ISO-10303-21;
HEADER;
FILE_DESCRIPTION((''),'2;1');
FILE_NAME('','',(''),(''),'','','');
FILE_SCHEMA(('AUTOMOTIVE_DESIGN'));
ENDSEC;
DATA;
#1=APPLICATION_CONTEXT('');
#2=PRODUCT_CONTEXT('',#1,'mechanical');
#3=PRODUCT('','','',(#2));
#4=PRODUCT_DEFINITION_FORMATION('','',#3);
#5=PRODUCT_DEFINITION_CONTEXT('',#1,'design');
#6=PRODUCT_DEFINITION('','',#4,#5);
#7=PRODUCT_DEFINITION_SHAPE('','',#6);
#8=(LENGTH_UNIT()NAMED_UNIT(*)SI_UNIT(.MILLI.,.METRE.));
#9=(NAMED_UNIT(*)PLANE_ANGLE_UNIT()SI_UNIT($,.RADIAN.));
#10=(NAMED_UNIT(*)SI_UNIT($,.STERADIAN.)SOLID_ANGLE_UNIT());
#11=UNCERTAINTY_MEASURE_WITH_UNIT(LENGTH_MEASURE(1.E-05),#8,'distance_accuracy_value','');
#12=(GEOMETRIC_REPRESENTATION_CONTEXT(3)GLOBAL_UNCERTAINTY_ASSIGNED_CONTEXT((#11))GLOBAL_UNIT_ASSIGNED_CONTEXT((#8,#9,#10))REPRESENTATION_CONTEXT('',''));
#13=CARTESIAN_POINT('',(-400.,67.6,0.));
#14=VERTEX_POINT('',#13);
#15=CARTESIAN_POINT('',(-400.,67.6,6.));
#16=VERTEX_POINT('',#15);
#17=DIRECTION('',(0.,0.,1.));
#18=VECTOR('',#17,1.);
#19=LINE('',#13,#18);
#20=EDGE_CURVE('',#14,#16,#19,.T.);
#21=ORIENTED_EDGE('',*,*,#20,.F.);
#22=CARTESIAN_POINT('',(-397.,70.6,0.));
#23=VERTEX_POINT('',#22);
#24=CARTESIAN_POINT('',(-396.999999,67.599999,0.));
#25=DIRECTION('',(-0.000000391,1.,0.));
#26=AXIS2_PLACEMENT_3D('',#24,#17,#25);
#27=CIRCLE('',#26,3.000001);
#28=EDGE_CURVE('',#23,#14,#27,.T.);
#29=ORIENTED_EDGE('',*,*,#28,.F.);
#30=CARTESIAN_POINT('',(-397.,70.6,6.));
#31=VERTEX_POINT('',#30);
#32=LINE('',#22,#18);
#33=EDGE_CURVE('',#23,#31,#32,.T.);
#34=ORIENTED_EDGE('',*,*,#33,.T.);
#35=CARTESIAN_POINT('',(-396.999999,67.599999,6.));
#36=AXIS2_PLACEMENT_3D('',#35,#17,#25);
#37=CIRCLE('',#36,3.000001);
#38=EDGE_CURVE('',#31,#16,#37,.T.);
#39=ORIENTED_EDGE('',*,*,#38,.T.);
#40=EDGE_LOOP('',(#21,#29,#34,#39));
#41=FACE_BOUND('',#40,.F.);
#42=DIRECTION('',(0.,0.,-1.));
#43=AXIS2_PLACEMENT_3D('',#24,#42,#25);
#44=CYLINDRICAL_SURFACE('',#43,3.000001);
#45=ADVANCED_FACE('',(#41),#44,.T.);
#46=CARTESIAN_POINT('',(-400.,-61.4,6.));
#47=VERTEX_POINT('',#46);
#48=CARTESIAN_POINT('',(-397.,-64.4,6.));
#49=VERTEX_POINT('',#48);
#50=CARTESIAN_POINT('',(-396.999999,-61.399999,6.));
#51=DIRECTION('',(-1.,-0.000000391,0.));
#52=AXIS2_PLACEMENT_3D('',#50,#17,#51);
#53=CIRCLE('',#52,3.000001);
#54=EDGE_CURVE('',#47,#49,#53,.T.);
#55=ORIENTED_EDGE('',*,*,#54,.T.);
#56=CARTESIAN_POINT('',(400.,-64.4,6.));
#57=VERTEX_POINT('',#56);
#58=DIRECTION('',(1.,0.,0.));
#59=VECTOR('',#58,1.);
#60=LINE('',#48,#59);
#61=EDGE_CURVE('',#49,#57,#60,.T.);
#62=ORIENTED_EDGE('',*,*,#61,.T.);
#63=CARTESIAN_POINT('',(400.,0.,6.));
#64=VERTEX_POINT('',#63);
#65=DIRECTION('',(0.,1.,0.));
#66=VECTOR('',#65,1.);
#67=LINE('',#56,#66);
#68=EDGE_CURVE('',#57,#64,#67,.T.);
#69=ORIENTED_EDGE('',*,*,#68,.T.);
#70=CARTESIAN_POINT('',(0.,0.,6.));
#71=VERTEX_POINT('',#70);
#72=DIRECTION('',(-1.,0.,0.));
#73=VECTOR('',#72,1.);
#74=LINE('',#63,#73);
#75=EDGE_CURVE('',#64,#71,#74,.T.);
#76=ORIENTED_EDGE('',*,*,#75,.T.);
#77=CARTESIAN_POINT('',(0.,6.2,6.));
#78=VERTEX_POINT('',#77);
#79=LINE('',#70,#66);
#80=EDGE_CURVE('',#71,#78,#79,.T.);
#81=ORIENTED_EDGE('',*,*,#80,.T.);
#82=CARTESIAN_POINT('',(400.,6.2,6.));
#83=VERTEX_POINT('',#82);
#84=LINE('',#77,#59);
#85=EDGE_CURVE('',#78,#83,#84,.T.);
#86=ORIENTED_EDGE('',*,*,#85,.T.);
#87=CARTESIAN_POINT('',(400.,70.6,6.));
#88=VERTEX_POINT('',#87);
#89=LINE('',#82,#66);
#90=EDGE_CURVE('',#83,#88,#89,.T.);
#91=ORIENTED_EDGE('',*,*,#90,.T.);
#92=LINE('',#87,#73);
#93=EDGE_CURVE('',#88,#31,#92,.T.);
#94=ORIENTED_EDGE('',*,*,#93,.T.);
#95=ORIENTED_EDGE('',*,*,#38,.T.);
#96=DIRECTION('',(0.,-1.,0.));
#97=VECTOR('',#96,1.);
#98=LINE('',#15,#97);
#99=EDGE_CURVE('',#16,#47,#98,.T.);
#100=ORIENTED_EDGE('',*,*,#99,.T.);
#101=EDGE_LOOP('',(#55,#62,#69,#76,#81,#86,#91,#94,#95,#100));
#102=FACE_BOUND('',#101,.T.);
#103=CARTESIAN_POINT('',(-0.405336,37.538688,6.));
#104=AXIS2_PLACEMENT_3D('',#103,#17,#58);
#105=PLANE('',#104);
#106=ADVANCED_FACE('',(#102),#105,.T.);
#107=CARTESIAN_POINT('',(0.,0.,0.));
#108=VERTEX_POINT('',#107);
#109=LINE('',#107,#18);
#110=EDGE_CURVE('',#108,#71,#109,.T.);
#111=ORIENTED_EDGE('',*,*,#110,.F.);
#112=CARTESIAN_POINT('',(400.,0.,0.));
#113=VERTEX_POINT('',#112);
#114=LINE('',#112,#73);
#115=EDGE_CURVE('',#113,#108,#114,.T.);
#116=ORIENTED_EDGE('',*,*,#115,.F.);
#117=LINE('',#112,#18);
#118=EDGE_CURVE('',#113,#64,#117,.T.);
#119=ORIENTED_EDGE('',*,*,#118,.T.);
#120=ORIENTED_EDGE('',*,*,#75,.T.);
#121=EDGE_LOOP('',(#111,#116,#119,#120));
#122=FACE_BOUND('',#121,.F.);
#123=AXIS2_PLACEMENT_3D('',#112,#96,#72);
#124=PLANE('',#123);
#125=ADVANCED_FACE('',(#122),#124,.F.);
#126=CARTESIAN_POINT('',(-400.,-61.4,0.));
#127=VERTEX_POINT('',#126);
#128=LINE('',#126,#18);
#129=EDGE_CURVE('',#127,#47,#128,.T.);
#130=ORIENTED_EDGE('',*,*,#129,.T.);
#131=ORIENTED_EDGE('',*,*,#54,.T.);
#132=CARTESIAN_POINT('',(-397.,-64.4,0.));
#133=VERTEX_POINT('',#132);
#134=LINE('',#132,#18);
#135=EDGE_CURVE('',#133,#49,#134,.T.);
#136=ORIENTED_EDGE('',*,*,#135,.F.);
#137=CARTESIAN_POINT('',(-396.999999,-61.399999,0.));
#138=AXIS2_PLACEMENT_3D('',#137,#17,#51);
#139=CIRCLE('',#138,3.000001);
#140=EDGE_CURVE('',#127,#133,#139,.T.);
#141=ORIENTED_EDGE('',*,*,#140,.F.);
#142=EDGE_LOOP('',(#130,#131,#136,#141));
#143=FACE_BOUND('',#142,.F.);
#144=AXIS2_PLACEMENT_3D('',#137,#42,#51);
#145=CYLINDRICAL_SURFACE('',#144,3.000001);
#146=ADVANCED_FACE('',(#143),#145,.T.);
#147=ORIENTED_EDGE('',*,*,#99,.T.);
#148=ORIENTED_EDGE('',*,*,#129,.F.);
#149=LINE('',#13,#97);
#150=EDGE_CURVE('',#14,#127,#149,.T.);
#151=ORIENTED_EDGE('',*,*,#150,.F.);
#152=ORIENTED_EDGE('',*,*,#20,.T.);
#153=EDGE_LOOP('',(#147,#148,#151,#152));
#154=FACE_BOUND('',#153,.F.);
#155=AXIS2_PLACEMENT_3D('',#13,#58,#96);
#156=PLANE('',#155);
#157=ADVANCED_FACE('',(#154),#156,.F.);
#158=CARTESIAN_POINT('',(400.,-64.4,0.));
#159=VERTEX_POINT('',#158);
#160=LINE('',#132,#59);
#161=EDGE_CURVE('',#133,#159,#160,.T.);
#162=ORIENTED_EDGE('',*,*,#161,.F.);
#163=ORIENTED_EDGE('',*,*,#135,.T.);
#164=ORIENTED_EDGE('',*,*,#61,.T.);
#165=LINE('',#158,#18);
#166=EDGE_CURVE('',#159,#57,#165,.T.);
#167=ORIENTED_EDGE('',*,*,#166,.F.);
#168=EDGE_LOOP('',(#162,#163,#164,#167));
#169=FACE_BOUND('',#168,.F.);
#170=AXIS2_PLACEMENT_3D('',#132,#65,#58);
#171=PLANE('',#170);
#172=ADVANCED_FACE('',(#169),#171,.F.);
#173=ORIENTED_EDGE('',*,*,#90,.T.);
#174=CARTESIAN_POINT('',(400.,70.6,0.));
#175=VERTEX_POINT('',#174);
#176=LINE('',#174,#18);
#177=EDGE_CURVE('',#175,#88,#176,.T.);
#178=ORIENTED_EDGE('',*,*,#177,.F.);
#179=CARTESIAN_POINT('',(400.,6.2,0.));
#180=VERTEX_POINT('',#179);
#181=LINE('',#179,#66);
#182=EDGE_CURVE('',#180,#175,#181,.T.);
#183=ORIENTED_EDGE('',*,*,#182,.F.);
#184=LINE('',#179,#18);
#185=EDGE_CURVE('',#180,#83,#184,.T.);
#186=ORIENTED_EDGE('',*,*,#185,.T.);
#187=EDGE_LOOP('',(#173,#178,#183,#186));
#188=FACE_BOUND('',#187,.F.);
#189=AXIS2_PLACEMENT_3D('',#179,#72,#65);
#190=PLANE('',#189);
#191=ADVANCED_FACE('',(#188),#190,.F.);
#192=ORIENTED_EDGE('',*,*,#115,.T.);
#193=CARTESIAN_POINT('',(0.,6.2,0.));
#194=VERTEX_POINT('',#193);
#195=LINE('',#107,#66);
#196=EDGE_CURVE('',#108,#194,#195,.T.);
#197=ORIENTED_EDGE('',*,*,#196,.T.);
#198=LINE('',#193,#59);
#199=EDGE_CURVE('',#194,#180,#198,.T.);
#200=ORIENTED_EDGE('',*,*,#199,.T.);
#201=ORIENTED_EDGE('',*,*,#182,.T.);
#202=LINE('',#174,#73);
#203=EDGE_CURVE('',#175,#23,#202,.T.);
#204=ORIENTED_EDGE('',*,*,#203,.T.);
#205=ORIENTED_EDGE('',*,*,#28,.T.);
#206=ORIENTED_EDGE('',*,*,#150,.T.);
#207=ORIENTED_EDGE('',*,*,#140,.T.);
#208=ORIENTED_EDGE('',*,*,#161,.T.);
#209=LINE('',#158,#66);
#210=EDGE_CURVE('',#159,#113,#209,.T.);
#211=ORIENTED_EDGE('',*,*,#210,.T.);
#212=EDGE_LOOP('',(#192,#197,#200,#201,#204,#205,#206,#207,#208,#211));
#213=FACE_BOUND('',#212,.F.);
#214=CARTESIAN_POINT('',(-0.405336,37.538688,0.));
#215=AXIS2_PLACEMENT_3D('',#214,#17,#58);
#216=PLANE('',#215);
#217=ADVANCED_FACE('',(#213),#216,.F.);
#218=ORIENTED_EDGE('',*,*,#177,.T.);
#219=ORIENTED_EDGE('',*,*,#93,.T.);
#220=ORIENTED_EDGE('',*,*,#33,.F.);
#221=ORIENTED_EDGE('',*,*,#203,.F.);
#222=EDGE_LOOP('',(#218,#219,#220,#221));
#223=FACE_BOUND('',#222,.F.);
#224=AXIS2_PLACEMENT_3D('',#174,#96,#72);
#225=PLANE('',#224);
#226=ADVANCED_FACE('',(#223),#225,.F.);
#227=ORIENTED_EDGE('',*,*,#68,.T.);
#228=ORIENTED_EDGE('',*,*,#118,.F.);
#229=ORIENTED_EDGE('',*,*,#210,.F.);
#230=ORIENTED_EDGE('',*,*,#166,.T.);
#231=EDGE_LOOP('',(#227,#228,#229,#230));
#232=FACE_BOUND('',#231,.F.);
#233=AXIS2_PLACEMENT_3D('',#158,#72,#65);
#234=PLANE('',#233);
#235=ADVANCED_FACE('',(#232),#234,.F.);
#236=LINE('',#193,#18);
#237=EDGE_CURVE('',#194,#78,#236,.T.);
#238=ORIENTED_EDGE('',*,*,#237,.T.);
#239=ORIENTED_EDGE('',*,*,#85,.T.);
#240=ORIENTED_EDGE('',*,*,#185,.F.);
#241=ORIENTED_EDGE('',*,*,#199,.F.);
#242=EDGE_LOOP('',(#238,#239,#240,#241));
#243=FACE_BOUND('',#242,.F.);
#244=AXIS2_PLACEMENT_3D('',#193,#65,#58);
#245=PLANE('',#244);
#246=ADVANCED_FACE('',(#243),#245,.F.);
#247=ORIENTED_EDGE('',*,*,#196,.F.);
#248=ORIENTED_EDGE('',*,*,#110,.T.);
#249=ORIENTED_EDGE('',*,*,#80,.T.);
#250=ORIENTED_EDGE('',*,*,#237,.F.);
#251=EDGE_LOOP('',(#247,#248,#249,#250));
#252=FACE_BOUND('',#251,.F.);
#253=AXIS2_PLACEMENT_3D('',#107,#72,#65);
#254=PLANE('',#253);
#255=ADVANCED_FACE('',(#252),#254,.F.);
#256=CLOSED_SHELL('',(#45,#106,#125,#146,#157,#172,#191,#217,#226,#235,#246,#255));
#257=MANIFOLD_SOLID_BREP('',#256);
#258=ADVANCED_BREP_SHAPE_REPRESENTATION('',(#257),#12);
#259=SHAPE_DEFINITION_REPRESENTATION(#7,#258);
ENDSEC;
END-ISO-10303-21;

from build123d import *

# Parameters (mm, degrees)
F1_DEPTH = 6


with BuildPart() as f1:
    # F0 (on Top) → F1 (new body)
    with BuildSketch(Plane.XY):
        with BuildLine():
            Line((400, 6.2), (400, 70.6))
            Line((400, 70.6), (-397, 70.6))
            ThreePointArc((-397, 70.6), (-399.12132, 69.72132), (-400, 67.6))
            Line((-400, 67.6), (-400, 3.1))
            Line((-400, 3.1), (-219.748155, 3.1))
            Line((-219.748155, 3.1), (0, 3.1))
            Line((0, 3.1), (0, 6.2))
            Line((0, 6.2), (400, 6.2))
        make_face()
        with BuildLine():
            Line((-219.748155, 3.1), (-400, 3.1))
            Line((-400, 3.1), (-400, -61.4))
            ThreePointArc((-400, -61.4), (-399.12132, -63.52132), (-397, -64.4))
            Line((-397, -64.4), (400, -64.4))
            Line((400, -64.4), (400, 0))
            Line((400, 0), (0, 0))
            Line((0, 0), (0, 3.1))
            Line((0, 3.1), (-219.748155, 3.1))
        make_face()
    extrude(amount=F1_DEPTH)


solid = f1.part
